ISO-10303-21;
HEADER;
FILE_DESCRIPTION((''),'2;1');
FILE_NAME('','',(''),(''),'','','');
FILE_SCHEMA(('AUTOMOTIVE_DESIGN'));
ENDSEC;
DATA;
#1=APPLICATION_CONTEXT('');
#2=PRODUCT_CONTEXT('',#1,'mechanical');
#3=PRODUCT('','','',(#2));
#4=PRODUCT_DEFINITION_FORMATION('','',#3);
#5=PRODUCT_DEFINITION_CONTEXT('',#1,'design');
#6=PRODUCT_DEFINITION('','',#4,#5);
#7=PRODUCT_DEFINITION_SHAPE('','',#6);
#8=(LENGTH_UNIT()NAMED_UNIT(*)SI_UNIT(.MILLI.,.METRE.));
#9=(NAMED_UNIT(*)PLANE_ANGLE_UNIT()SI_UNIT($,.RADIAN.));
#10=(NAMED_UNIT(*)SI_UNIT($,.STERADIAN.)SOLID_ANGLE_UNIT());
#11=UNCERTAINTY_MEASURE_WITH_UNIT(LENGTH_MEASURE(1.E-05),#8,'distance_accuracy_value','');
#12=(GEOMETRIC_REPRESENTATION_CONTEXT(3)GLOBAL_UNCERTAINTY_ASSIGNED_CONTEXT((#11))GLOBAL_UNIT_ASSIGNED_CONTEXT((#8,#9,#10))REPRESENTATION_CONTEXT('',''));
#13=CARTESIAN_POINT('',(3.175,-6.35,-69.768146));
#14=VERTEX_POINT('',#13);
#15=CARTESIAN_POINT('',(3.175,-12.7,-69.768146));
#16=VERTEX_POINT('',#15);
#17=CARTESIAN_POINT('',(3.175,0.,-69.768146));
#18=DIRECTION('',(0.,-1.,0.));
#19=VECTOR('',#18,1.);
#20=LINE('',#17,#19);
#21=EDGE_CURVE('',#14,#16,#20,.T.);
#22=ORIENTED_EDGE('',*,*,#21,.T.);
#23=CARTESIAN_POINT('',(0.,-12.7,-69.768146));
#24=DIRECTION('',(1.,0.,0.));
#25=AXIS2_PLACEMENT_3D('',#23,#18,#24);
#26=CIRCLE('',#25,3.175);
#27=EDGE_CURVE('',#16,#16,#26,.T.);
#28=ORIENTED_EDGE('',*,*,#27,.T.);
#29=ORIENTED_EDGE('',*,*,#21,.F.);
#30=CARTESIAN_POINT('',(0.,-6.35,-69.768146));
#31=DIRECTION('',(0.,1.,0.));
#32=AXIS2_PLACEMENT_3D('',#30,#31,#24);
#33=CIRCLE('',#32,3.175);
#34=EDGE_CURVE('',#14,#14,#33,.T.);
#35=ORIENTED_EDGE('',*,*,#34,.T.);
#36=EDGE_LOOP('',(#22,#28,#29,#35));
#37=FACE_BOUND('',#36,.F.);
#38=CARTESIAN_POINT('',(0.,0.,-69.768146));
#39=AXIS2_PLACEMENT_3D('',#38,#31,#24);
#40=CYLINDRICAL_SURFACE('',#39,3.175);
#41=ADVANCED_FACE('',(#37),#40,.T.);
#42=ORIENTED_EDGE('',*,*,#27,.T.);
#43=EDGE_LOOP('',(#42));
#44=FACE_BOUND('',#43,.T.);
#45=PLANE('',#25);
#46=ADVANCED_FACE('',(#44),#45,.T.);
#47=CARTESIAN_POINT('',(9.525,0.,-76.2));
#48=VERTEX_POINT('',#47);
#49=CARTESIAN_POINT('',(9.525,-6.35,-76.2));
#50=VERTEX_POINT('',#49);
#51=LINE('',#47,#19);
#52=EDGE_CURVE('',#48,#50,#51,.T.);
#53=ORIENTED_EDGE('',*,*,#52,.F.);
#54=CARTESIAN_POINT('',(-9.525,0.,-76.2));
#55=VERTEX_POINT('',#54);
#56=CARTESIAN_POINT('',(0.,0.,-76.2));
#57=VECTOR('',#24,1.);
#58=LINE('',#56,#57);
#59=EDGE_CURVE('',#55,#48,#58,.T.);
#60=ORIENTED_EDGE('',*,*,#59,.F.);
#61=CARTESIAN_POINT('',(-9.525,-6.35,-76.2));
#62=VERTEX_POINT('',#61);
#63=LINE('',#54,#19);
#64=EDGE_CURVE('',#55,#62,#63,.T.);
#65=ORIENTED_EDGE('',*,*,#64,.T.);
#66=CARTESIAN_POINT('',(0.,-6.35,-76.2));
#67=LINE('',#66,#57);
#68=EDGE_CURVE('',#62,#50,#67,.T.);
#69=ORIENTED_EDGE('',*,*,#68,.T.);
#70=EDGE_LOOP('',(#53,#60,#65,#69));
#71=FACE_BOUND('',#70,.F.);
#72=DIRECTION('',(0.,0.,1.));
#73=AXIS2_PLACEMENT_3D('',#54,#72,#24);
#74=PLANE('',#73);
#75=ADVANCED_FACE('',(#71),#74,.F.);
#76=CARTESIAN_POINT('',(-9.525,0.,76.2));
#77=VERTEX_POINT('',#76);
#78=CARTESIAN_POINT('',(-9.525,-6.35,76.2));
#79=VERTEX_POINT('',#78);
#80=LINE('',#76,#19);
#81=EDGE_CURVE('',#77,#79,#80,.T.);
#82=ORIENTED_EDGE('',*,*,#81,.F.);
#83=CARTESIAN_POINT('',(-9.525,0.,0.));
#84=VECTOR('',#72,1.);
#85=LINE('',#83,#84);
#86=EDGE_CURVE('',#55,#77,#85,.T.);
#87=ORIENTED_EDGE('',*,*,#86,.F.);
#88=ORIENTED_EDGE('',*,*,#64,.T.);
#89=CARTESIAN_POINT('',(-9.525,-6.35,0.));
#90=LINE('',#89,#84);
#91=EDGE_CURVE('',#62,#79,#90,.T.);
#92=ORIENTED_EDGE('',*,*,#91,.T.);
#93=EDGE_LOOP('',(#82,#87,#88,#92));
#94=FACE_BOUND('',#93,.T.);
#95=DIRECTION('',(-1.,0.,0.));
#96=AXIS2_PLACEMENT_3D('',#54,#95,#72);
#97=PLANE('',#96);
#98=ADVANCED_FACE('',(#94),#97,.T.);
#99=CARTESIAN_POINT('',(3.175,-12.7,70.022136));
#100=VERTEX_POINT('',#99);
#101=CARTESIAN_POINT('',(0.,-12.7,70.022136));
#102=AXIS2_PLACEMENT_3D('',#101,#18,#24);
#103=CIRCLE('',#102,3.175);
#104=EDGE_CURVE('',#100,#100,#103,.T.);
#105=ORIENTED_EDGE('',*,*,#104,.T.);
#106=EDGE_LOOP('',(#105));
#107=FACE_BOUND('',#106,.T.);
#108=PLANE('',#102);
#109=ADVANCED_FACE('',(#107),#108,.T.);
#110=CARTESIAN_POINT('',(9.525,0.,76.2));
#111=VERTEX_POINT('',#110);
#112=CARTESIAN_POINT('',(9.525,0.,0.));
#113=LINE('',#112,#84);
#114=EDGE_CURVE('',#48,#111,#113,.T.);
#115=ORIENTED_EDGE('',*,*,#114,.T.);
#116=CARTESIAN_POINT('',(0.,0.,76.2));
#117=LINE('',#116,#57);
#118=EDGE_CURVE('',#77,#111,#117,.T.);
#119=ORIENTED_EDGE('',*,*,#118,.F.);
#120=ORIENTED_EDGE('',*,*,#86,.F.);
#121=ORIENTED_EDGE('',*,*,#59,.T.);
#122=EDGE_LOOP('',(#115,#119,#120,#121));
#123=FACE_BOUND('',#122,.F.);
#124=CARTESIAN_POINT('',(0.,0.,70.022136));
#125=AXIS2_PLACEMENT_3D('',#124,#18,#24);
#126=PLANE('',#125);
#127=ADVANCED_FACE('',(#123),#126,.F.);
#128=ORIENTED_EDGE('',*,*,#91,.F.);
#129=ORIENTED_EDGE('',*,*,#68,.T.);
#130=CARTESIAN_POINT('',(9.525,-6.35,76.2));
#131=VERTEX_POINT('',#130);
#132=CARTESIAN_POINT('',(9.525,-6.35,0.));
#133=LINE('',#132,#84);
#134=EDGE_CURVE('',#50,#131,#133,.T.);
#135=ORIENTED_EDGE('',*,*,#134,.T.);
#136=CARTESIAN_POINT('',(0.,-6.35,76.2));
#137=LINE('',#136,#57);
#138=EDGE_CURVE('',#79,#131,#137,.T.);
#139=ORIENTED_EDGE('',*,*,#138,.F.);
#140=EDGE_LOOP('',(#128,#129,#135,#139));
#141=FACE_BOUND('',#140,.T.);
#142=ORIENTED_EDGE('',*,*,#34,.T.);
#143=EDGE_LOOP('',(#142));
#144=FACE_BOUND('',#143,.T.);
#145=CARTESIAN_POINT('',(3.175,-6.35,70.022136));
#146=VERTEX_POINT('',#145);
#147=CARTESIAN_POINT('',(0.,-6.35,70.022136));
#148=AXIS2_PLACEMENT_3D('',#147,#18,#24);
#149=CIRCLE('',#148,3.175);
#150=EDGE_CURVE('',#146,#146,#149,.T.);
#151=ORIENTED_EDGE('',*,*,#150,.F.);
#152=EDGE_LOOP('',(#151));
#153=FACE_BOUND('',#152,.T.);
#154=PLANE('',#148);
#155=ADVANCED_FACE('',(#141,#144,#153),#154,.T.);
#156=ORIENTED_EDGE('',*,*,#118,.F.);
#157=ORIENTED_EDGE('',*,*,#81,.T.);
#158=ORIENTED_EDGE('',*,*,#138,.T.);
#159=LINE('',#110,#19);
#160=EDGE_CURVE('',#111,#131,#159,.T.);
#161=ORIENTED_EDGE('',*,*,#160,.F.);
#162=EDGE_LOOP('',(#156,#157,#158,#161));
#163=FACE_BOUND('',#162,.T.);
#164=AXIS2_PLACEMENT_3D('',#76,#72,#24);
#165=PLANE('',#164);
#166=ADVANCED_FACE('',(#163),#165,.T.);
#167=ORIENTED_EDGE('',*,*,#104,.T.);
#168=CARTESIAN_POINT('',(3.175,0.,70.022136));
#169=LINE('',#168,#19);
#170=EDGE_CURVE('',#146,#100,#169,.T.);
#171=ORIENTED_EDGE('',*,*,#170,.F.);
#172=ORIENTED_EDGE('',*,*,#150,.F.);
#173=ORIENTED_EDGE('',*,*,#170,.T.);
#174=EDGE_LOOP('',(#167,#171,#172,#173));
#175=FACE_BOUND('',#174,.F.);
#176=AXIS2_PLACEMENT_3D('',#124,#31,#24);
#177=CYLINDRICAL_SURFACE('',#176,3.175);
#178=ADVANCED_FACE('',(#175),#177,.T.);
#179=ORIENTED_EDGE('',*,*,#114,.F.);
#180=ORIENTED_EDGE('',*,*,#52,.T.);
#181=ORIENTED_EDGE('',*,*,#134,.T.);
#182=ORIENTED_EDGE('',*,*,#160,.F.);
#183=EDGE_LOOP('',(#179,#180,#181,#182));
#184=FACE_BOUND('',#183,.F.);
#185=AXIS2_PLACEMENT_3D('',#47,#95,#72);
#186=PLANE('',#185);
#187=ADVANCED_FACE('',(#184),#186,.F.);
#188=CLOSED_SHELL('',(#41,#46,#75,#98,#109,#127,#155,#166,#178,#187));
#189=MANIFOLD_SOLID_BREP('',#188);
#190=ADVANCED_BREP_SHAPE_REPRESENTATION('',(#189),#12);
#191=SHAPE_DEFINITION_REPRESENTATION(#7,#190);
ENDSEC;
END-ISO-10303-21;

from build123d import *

# Parameters (mm, degrees)
F0_R     = 3.175
F0_W     = 19.05
F0_H     = 152.4
F1_DEPTH = 6.35
F2_DEPTH = 12.7


with BuildPart() as f1:
    # F0 (on Front) → F1 (new body)
    with BuildSketch(Plane.XZ):
        with Locations((0, 70.022136)):
            Circle(F0_R)
        Rectangle(F0_W, F0_H)
        with Locations((0, -69.768146)):
            Circle(F0_R, mode=Mode.SUBTRACT)
        with Locations((0, 70.022136)):
            Circle(F0_R, mode=Mode.SUBTRACT)
        with Locations((0, -69.768146)):
            Circle(F0_R)
    extrude(amount=F1_DEPTH)

    # F0 (on Front) → F2 (join)
    with BuildSketch(Plane.XZ):
        with Locations((0, 70.022136)):
            Circle(F0_R)
        with Locations((0, -69.768146)):
            Circle(F0_R)
    extrude(amount=F2_DEPTH)


solid = f1.part
